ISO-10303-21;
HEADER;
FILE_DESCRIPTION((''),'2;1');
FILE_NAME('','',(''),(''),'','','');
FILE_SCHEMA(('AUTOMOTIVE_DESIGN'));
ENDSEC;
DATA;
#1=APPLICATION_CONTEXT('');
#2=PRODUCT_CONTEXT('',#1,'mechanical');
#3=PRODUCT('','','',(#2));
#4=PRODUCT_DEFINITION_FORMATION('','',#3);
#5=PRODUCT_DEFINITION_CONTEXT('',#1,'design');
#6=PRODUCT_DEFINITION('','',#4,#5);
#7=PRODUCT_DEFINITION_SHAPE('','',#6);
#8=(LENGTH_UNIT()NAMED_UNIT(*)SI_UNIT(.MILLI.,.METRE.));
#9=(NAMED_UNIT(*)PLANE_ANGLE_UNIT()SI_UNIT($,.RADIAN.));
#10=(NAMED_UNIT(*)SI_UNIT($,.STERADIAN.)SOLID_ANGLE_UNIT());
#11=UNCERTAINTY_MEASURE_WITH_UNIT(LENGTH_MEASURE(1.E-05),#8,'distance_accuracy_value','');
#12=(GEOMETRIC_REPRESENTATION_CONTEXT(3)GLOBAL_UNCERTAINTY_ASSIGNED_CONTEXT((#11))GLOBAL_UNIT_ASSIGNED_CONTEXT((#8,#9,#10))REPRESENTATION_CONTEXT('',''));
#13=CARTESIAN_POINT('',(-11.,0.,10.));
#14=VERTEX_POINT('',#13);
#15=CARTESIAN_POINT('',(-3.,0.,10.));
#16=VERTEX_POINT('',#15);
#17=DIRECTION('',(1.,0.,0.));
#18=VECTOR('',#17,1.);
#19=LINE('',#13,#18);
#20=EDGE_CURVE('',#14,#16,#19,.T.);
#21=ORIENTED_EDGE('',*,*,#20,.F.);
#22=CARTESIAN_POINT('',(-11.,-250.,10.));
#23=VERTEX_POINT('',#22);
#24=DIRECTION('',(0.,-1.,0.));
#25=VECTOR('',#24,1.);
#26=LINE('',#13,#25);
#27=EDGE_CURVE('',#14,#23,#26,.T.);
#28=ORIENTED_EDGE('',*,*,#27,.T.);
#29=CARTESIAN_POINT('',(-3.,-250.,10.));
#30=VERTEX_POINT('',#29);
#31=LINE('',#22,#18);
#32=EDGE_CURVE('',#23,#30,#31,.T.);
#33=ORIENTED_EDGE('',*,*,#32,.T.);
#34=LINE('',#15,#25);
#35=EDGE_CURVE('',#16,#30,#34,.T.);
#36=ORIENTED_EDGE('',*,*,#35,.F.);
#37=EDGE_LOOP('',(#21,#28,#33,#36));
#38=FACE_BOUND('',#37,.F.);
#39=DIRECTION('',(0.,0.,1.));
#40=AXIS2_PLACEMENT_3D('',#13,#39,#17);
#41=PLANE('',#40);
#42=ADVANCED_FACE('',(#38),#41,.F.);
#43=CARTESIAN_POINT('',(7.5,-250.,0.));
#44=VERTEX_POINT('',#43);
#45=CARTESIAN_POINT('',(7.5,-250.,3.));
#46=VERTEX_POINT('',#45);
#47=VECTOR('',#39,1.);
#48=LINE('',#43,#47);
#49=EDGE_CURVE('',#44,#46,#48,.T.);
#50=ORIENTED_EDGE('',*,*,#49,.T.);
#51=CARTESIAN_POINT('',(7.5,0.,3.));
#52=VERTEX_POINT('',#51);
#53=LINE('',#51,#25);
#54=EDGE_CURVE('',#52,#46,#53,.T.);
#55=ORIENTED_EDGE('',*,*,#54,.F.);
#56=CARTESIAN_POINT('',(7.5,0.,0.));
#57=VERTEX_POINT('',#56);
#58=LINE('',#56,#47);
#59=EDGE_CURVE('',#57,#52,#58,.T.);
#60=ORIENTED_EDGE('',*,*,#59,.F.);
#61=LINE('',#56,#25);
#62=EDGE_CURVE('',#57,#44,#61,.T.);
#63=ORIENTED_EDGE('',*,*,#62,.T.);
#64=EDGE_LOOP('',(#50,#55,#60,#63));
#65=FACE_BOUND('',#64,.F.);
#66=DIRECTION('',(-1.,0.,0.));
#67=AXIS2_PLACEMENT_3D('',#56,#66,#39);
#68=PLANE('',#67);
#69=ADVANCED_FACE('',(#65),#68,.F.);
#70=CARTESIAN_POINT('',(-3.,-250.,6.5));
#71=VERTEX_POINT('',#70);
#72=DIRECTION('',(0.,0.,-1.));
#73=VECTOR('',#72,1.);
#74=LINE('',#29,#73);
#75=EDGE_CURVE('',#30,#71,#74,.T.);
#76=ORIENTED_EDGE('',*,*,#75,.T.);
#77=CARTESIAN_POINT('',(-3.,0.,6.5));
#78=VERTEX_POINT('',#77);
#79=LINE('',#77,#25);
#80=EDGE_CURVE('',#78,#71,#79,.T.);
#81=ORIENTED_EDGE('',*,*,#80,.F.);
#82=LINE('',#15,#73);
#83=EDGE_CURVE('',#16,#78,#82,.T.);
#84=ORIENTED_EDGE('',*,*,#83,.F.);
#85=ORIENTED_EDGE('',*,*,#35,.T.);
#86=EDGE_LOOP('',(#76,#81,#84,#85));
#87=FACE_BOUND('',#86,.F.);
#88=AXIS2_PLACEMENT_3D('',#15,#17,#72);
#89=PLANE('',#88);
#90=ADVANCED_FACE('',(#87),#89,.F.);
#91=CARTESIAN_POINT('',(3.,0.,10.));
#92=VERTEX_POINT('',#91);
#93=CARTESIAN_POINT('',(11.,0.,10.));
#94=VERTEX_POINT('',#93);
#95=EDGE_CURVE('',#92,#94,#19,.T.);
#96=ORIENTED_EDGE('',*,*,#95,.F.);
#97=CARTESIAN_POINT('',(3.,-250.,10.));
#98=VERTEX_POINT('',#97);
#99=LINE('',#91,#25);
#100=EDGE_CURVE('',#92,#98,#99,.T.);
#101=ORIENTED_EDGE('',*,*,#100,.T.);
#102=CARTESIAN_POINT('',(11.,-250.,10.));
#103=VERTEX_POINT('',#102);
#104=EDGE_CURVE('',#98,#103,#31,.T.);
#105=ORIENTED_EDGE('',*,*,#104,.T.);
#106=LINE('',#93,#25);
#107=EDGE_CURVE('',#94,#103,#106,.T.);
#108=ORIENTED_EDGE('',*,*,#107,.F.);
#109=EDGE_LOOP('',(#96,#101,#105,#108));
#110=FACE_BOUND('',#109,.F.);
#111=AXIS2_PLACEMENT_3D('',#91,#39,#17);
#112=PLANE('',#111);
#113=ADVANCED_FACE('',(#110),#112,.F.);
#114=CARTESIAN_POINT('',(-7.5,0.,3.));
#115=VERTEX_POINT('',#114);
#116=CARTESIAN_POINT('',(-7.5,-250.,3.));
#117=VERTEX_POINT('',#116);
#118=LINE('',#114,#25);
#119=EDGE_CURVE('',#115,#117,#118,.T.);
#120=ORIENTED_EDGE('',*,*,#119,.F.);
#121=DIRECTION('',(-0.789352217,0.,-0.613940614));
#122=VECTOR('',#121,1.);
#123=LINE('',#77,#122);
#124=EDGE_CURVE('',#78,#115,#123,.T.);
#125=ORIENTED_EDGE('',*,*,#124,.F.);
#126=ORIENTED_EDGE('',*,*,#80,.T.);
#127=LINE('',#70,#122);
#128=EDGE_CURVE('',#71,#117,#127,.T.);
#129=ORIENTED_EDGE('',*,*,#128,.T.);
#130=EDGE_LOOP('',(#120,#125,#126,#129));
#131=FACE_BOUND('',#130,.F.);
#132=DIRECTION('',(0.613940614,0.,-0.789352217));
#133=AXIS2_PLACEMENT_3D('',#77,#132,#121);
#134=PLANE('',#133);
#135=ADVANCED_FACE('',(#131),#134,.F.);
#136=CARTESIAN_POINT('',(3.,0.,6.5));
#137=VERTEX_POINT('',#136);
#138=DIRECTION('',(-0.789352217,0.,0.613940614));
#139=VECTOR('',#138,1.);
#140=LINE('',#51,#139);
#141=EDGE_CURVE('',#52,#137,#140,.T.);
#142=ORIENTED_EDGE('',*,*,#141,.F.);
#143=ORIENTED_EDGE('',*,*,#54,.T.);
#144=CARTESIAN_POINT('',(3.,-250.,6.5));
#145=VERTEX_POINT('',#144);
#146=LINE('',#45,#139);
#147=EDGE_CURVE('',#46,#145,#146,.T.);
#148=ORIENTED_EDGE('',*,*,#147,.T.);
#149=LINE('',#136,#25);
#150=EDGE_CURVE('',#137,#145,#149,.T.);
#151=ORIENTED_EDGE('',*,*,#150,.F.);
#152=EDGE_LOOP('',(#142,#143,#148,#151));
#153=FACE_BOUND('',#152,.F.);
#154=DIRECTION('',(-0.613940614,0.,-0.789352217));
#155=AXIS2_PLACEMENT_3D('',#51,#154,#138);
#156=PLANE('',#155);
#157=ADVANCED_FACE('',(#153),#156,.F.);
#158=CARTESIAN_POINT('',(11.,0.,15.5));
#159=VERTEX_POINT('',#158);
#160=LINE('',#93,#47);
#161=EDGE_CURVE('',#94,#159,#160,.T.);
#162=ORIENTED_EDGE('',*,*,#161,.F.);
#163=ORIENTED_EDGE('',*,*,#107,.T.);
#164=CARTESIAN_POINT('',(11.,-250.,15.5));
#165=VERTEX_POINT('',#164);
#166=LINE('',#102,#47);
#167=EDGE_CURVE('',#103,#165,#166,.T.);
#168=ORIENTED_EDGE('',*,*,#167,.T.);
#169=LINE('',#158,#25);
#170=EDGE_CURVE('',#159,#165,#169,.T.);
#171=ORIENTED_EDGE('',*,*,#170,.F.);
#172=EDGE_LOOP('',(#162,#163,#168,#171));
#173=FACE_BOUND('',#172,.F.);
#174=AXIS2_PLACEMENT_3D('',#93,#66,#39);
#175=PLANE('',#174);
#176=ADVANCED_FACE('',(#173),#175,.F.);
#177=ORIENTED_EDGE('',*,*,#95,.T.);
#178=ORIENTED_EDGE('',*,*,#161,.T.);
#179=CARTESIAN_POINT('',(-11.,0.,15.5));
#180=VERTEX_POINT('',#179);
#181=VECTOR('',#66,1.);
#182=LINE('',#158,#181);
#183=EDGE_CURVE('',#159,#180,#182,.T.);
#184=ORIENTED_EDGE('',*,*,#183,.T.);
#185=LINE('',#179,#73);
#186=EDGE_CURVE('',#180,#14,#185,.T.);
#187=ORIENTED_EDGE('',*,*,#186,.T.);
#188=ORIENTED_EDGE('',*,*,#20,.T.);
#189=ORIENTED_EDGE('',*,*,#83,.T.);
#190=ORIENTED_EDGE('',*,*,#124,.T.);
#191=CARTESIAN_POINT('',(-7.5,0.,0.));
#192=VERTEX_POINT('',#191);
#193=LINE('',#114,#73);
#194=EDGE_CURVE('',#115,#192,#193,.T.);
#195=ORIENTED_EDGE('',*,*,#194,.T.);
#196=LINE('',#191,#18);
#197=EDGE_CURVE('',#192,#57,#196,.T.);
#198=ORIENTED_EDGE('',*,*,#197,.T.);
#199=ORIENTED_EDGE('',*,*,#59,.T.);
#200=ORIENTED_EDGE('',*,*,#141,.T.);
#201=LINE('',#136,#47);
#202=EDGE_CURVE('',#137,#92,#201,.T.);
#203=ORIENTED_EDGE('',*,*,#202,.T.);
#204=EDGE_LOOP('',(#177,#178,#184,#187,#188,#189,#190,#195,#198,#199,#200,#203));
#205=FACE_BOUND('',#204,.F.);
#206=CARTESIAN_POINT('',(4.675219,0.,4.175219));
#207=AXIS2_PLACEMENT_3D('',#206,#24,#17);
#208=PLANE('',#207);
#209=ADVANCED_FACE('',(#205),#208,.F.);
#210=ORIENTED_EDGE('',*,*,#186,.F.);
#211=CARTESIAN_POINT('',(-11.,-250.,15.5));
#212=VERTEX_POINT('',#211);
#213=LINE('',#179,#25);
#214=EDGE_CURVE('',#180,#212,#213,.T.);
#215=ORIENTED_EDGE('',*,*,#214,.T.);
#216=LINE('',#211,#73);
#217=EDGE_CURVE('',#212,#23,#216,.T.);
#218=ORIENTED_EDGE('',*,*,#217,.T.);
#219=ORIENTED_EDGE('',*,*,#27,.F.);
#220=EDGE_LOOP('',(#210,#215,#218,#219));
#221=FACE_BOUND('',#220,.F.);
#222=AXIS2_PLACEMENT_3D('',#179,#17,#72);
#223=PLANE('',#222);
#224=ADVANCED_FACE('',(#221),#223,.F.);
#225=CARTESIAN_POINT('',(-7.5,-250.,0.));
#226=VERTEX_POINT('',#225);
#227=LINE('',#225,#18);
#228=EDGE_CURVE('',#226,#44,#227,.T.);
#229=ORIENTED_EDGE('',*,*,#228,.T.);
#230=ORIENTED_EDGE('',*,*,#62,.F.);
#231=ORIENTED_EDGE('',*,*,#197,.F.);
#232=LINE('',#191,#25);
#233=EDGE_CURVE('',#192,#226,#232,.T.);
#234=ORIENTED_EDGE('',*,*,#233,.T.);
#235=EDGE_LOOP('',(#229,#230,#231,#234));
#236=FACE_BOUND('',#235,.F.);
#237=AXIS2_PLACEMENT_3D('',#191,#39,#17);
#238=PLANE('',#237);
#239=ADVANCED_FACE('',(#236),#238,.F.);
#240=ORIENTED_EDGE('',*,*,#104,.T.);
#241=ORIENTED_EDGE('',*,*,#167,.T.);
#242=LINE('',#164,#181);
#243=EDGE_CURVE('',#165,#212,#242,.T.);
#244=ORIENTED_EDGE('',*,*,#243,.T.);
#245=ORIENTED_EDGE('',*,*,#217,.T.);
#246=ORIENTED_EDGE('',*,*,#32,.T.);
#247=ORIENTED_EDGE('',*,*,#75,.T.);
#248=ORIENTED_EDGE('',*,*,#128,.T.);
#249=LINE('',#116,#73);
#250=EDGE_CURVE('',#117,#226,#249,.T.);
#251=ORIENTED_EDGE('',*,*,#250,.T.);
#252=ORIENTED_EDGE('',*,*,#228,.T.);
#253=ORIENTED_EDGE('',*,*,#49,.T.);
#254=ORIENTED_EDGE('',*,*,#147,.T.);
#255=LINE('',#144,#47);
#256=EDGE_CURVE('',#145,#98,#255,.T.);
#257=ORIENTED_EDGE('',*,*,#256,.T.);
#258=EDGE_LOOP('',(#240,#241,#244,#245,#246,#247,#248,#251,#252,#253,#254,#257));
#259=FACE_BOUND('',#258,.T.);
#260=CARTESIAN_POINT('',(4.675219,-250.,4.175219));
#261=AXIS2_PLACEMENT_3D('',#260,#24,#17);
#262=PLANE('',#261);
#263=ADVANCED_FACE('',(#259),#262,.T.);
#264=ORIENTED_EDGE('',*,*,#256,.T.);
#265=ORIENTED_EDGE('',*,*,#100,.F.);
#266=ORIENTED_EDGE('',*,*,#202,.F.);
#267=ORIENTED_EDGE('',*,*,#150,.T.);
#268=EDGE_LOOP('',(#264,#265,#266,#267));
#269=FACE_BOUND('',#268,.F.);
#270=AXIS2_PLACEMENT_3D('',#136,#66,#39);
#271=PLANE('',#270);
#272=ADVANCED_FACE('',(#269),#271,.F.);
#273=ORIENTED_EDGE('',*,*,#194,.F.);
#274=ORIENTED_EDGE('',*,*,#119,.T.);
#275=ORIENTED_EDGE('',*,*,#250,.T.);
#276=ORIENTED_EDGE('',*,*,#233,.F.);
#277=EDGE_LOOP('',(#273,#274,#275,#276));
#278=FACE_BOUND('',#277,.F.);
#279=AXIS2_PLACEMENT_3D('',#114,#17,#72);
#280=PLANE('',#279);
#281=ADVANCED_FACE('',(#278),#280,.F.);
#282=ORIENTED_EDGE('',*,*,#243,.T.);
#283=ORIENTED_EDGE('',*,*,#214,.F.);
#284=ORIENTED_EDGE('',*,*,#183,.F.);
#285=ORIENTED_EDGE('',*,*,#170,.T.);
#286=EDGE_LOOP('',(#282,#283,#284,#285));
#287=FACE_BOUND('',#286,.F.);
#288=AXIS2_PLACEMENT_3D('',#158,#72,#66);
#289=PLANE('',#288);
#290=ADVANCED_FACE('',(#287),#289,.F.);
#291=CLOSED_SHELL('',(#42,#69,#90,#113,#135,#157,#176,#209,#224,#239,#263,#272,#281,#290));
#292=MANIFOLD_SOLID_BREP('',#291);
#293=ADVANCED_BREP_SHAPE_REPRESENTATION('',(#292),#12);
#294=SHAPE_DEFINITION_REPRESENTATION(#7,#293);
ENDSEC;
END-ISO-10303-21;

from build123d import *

# Parameters (mm, degrees)
F1_DEPTH = 250


with BuildPart() as f1:
    # F0 (on Front) → F1 (new body)
    with BuildSketch(Plane.XZ):
        Polygon((3, 3), (7.5, 3), (3, 6.5), align=None)
        Polygon((-3, 6.5), (-7.5, 3), (-3, 3), align=None)
        Polygon((-3, 10), (0, 10), (0, 15.5), (-11, 15.5), (-11, 10), align=None)
        Polygon((0, 15.5), (0, 10), (3, 10), (11, 10), (11, 15.5), align=None)
        Polygon((0, 0), (7.5, 0), (7.5, 3), (3, 3), (0, 3), align=None)
        Polygon((-7.5, 0), (0, 0), (0, 3), (-3, 3), (-7.5, 3), align=None)
        Polygon((-3, 3), (0, 3), (0, 10), (-3, 10), (-3, 6.5), align=None)
        Polygon((0, 10), (0, 3), (3, 3), (3, 6.5), (3, 10), align=None)
    extrude(amount=F1_DEPTH)


solid = f1.part
